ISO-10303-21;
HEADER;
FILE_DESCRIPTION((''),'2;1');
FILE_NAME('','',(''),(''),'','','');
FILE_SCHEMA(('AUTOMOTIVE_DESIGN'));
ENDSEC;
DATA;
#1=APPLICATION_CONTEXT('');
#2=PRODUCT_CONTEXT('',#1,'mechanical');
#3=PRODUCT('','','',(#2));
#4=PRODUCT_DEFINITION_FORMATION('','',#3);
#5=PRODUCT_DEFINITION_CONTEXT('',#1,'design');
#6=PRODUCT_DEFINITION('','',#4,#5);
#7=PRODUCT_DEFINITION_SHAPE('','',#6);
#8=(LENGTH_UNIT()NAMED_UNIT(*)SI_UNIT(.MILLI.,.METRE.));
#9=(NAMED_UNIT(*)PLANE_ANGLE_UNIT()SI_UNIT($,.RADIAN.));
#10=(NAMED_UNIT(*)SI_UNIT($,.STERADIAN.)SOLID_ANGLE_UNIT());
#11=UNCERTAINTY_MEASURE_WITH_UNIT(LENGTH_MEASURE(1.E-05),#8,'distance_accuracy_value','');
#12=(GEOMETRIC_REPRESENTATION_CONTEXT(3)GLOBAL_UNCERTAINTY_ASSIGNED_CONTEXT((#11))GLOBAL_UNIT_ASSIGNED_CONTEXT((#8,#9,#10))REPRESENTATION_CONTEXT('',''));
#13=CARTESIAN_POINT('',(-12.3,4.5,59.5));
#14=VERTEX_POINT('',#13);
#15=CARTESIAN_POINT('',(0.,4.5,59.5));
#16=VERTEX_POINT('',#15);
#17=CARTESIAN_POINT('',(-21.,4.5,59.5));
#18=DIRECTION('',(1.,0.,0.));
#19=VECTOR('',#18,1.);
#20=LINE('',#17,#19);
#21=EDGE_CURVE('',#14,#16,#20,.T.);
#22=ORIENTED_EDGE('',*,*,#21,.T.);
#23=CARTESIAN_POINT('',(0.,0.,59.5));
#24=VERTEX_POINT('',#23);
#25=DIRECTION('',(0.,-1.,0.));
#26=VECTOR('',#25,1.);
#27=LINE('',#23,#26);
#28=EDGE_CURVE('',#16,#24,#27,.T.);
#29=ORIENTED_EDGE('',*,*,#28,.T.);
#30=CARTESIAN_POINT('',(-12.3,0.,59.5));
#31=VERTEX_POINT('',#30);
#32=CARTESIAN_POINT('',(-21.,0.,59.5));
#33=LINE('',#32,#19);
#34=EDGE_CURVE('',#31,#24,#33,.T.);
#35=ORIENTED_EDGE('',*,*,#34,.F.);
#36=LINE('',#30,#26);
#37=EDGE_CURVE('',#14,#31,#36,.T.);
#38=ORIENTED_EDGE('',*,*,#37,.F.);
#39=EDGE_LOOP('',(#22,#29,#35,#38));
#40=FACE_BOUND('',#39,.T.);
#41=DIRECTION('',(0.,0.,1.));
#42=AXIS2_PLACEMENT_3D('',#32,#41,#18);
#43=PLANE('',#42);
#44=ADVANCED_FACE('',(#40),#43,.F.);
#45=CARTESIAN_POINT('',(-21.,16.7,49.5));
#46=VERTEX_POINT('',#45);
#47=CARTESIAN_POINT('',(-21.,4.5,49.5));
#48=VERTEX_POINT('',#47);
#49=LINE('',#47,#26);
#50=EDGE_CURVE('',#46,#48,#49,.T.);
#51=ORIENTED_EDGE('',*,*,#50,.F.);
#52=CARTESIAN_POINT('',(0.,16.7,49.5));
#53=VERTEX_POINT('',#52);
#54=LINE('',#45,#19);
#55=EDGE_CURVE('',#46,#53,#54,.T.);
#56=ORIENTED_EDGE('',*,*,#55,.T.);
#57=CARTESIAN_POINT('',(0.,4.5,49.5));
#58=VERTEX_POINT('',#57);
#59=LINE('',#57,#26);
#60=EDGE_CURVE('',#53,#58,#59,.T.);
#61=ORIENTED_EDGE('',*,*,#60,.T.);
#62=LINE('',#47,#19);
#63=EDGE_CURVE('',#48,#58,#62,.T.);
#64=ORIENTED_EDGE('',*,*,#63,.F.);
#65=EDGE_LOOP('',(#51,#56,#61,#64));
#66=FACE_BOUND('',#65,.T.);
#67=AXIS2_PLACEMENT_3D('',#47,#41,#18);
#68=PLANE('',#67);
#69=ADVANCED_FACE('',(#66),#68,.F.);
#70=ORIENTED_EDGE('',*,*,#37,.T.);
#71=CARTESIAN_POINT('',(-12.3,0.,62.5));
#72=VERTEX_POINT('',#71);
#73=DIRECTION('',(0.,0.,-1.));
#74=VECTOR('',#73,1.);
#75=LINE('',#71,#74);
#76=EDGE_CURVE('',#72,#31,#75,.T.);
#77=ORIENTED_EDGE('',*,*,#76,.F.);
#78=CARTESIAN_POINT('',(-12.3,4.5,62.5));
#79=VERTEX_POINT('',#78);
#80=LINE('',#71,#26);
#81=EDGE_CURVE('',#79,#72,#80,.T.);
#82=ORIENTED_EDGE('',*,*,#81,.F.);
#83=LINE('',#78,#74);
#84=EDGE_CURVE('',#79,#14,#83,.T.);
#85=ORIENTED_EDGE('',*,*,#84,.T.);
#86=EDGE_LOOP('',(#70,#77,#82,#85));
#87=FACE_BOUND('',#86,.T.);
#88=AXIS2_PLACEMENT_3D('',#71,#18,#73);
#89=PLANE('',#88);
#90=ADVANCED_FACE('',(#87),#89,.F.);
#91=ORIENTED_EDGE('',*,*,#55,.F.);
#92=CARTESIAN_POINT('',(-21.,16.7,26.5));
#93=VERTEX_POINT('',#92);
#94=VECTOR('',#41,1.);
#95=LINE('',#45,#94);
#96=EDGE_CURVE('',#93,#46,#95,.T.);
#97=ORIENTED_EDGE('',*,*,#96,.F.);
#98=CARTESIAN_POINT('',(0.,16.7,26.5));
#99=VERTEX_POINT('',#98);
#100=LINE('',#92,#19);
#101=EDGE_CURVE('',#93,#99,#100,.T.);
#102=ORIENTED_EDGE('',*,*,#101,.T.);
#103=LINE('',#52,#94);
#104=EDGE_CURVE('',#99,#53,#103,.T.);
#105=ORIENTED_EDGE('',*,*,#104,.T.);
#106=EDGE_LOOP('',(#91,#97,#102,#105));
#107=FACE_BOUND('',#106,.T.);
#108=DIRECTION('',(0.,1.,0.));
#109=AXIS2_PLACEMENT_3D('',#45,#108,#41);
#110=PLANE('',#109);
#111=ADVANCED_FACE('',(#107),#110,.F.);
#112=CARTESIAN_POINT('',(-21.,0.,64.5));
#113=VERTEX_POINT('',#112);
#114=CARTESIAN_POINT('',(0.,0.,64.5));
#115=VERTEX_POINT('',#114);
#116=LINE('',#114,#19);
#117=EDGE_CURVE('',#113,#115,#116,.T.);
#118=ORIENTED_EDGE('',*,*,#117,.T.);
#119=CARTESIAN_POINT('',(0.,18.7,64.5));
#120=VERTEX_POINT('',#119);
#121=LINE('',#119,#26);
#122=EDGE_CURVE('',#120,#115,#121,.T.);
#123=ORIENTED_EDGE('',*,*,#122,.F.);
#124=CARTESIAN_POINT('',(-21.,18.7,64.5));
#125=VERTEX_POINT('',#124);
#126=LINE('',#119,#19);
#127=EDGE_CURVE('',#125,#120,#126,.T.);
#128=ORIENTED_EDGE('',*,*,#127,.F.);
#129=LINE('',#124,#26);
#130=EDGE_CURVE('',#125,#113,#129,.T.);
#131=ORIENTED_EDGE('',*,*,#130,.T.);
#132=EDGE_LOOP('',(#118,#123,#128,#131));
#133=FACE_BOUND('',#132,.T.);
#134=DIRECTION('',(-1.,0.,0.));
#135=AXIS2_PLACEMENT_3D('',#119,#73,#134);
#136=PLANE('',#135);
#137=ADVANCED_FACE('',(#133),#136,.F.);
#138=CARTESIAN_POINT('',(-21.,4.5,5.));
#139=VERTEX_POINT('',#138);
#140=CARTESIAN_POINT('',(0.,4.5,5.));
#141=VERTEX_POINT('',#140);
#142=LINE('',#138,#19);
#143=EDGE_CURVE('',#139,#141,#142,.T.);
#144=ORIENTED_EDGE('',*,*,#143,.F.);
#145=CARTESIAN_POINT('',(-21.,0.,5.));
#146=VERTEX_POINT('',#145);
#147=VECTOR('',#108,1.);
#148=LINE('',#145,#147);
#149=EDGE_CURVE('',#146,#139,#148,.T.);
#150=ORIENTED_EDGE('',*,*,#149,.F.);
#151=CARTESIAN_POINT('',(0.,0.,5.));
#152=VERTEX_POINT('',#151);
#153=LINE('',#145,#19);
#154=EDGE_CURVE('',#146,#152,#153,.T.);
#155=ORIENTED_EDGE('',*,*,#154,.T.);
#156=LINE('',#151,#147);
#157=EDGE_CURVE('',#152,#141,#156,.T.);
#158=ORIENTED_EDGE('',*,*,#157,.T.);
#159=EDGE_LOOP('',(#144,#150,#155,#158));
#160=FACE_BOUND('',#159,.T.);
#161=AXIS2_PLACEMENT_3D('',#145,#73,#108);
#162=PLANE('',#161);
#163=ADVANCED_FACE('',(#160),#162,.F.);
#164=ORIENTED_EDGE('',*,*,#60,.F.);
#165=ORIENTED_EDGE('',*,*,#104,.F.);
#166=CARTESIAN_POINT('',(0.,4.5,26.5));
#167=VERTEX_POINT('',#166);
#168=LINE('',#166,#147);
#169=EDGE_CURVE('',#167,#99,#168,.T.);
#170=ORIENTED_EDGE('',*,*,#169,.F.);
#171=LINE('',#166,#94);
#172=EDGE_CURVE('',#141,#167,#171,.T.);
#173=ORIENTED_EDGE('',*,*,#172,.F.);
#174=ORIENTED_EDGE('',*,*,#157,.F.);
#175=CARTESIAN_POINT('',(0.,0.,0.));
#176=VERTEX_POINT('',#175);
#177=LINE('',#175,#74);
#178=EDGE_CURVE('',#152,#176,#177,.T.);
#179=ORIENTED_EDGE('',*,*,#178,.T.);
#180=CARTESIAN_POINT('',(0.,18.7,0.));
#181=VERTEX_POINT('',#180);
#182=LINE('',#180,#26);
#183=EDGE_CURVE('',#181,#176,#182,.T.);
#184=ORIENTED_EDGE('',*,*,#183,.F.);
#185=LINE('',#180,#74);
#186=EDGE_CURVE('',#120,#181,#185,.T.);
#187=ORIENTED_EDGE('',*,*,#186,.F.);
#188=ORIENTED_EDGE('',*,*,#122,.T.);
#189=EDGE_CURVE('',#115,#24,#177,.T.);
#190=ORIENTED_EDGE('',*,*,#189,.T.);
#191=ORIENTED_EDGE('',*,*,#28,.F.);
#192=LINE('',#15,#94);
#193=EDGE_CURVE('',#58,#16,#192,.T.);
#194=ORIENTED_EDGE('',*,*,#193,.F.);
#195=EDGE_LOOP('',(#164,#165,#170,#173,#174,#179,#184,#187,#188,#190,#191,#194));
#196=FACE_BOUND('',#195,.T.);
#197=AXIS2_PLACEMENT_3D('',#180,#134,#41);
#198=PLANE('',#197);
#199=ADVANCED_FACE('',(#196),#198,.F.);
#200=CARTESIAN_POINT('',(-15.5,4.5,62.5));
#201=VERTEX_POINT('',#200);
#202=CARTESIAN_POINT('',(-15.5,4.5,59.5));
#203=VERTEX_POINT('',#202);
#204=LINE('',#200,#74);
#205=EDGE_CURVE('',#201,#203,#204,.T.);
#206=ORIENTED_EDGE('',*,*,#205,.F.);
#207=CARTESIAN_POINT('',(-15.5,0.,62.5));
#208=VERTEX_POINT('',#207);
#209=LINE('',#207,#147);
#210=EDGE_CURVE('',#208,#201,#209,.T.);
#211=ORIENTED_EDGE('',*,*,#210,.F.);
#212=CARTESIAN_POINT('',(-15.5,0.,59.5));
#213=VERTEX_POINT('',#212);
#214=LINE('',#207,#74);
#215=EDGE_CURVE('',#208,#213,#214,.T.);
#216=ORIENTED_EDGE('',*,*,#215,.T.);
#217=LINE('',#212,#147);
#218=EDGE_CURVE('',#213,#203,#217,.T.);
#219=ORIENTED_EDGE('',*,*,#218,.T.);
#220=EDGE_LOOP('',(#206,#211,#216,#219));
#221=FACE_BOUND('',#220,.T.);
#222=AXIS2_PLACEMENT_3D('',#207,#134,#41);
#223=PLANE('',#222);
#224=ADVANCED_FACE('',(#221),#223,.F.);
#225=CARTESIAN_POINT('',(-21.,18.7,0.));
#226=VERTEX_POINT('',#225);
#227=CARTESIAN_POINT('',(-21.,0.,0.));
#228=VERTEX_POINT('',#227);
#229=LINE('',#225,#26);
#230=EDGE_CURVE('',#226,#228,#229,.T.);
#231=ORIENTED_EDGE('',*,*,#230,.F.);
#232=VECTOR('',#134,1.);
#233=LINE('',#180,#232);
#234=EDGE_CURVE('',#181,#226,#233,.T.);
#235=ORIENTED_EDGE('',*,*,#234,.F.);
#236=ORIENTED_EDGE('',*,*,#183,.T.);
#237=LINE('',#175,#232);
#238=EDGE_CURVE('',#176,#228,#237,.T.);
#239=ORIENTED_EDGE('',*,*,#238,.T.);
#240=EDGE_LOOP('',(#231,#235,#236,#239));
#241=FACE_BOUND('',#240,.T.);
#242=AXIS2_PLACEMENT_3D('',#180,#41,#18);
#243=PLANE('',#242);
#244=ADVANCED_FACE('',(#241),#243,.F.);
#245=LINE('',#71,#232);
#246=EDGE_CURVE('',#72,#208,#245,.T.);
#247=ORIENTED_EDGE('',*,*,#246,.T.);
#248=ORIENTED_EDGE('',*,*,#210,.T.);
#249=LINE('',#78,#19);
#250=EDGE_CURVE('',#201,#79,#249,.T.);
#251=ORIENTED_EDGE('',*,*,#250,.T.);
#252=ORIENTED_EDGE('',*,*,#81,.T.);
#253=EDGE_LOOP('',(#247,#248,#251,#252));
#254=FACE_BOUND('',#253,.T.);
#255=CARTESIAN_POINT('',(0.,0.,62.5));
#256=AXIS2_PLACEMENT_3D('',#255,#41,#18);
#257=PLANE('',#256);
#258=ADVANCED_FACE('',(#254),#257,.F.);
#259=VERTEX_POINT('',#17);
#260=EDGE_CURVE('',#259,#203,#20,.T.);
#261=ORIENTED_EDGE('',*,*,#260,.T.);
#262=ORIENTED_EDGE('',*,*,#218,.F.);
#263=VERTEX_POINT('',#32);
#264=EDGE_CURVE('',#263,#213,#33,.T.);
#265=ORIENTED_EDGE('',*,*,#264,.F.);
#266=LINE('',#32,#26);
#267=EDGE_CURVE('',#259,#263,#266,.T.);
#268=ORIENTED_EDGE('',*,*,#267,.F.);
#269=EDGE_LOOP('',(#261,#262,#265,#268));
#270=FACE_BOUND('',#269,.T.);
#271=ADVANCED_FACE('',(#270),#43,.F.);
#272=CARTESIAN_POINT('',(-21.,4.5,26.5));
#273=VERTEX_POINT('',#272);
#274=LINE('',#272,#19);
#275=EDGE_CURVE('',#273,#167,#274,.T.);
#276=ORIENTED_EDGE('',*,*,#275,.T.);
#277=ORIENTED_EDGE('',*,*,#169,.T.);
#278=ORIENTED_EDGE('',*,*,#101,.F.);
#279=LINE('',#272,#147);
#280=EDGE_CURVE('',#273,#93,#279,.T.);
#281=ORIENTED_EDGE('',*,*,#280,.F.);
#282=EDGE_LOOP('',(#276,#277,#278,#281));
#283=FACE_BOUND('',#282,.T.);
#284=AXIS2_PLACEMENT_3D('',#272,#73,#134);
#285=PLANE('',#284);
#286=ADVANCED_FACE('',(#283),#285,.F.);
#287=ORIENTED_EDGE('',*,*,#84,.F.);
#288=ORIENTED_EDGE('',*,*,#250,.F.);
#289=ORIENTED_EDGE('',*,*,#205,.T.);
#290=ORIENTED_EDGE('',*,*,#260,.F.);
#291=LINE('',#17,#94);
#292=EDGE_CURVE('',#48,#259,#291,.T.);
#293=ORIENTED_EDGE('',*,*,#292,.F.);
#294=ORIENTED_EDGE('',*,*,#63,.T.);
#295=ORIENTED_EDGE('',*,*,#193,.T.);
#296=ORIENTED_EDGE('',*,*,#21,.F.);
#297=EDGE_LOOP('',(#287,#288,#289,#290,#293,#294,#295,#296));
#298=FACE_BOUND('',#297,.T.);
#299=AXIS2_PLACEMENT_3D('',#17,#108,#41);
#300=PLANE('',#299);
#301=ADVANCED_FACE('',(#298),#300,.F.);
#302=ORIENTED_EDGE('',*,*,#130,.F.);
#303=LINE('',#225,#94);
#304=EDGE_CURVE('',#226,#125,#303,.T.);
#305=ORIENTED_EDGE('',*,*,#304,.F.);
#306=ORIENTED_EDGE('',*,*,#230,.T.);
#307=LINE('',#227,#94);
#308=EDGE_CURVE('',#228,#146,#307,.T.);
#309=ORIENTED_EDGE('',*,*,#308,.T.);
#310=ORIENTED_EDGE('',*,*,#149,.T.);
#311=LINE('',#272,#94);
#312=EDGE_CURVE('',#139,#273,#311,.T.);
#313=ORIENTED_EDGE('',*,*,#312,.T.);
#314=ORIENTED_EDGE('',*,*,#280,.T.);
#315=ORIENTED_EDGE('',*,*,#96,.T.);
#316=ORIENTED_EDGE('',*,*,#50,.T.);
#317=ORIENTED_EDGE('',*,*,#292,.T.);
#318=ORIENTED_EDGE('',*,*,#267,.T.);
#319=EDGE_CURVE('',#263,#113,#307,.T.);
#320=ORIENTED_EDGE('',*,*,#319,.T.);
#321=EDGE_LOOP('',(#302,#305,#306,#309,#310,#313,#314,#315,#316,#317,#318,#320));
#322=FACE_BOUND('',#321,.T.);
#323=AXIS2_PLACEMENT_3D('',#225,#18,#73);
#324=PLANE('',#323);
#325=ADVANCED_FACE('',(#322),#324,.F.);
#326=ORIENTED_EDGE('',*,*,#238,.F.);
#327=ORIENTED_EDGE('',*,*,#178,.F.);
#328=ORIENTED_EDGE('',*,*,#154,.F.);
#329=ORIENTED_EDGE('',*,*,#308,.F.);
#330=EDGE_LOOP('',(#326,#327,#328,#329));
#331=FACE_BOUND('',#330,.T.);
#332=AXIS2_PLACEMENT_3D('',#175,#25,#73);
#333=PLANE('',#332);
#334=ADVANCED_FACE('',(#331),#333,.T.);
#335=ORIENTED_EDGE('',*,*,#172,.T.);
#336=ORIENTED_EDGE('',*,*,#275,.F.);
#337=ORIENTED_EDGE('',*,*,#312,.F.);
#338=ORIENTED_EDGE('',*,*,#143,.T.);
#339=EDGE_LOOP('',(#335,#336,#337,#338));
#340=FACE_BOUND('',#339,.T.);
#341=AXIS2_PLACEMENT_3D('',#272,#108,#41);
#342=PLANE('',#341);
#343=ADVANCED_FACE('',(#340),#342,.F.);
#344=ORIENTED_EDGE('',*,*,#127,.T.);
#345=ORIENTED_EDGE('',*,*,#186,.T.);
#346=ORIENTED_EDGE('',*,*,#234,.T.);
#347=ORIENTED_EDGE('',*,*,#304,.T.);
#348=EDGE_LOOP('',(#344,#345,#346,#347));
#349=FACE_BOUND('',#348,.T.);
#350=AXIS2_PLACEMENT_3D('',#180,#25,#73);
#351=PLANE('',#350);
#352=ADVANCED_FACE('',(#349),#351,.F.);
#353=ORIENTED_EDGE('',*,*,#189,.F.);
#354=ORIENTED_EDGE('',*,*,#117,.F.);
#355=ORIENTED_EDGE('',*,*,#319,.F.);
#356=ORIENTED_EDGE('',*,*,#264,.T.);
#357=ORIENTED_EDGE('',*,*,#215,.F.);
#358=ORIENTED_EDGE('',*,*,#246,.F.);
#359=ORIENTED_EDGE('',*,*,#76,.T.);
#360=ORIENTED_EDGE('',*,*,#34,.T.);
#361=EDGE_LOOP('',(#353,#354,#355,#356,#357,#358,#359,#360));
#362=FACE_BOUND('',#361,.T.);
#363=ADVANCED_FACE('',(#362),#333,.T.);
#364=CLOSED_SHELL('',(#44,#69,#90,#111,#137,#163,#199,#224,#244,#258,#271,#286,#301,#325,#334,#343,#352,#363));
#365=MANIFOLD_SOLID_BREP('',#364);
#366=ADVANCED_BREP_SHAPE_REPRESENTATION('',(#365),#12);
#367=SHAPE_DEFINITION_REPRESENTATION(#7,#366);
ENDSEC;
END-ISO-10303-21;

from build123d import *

# Parameters (mm, degrees)
SKETCH1_W           = 21
SKETCH1_H           = 64.5
BOSS_EXTRUDE1_DEPTH = 18.7
CUT_EXTRUDE1_DEPTH  = 22
SKETCH3_W           = 3.2
SKETCH3_H           = 4.5
CUT_EXTRUDE2_DEPTH  = 3


with BuildPart() as part:
    # Sketch1 → Boss-Extrude1 (new body)
    with BuildSketch(Plane(origin=(0, 0, 0), x_dir=(1, 0, 0), z_dir=(0, 1, 0))):
        with Locations((-10.5, -32.25)):
            Rectangle(SKETCH1_W, SKETCH1_H)
    extrude(amount=BOSS_EXTRUDE1_DEPTH)

    # Sketch2 → Cut-Extrude1 (cut, through all)
    with BuildSketch(Plane(origin=(0, 0, 0), x_dir=(0, 0, -1), z_dir=(1, 0, 0))):
        Polygon((-59.5, 0), (-5, 0), (-5, 4.5), (-26.5, 4.5), (-26.5, 16.7), (-49.5, 16.7), (-49.5, 4.5), (-59.5, 4.5), align=None)
    extrude(amount=-CUT_EXTRUDE1_DEPTH, mode=Mode.SUBTRACT)

    # Sketch3 → Cut-Extrude2 (cut)
    with BuildSketch(Plane(origin=(0, 0, 59.5), x_dir=(-1, 0, 0), z_dir=(0, 0, -1))):
        with Locations((13.9, 2.25)):
            Rectangle(SKETCH3_W, SKETCH3_H)
    extrude(amount=-CUT_EXTRUDE2_DEPTH, mode=Mode.SUBTRACT)


solid = part.part
